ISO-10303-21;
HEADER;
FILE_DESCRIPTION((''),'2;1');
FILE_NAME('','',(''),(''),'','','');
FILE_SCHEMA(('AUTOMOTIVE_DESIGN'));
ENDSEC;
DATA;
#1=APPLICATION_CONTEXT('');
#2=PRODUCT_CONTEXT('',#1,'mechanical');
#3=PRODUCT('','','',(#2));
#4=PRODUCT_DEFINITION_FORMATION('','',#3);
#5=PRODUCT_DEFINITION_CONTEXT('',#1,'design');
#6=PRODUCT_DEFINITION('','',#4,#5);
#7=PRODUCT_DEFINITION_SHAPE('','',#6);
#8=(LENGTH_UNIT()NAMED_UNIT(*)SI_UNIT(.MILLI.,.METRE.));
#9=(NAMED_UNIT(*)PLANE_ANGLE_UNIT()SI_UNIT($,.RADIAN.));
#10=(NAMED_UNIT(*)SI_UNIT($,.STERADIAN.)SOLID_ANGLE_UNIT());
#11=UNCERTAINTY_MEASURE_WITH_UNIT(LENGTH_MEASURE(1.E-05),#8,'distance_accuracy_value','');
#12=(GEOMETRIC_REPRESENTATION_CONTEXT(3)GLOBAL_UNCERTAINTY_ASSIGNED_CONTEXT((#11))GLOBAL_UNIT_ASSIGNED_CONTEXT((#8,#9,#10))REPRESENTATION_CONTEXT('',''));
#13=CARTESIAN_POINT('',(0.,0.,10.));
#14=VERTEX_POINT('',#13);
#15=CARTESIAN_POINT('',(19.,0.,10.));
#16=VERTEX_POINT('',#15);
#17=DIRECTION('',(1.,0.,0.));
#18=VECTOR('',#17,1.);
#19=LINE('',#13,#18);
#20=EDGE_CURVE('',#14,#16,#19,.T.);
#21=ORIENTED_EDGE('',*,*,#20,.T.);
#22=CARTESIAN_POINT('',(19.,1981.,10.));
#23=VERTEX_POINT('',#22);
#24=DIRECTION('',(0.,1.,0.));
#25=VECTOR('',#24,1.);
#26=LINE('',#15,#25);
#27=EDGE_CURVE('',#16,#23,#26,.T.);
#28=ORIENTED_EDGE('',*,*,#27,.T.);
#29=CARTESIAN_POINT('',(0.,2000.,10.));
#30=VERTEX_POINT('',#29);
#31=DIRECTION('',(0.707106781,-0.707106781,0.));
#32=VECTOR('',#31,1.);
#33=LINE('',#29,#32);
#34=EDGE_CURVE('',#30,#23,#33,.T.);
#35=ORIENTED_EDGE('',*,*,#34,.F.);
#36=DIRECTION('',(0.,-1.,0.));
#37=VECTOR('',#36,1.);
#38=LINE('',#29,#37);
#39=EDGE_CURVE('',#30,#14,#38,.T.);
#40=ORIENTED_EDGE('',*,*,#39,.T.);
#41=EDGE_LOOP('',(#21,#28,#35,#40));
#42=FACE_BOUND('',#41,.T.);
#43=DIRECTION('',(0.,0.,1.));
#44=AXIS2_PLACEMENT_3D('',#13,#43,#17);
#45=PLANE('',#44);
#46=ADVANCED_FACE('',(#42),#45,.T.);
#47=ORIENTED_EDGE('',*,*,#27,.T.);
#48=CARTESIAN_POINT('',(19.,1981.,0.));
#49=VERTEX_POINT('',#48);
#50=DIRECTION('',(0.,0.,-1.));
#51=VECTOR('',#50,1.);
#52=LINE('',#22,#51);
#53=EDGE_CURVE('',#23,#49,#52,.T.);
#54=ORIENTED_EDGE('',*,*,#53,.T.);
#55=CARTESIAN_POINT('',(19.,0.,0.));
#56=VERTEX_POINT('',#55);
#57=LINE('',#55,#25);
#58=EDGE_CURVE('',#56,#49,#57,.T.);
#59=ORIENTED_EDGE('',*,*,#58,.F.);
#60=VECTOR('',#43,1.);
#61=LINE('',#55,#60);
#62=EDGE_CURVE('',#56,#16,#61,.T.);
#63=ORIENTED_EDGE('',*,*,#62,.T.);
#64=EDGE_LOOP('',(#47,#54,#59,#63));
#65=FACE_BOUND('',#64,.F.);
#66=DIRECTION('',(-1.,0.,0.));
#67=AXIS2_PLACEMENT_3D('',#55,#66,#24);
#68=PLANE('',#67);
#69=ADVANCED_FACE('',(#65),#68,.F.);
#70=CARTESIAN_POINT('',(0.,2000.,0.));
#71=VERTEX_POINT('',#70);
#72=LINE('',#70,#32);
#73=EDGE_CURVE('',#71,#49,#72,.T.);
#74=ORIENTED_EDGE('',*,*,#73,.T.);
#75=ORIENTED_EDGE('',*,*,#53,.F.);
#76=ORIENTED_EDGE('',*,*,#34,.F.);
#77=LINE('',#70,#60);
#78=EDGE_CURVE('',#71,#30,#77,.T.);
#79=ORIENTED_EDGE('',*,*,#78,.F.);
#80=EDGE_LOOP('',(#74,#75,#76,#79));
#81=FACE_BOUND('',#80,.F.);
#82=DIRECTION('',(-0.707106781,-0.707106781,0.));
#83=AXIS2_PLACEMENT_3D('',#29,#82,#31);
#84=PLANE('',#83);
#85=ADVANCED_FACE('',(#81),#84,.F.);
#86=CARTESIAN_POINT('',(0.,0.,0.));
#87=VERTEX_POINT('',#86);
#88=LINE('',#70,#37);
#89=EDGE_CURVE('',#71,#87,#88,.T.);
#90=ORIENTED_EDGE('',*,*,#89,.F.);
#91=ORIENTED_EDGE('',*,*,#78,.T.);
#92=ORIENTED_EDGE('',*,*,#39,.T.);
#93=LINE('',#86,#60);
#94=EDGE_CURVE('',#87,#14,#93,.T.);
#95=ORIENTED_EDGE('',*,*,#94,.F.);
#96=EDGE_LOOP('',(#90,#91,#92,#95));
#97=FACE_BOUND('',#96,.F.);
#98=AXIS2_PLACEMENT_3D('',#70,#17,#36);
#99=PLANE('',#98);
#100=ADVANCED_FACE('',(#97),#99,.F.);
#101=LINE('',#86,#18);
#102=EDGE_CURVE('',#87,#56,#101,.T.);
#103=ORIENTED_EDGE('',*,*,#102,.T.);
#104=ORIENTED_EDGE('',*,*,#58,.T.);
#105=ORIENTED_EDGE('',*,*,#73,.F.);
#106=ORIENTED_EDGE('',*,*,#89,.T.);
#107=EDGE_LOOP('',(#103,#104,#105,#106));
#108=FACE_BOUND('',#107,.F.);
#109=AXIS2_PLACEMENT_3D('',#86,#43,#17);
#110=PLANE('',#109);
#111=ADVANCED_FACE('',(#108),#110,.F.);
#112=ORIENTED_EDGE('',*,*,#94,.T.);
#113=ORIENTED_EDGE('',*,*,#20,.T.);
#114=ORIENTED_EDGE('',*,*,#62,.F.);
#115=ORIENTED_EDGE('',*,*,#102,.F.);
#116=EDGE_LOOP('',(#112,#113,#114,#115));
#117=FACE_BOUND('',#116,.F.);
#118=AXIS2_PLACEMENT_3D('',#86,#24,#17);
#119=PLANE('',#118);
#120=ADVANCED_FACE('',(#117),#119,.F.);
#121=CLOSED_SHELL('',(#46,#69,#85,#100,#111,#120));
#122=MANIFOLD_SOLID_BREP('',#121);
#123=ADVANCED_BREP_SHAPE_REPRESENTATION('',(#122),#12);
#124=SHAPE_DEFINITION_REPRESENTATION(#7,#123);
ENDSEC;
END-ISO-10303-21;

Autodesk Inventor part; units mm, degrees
ref_plane "YZ Plane" through (0, 0, 0) normal (1, 0, 0) x (0, 1, 0)
ref_plane "XZ Plane" through (0, 0, 0) normal (0, 1, 0) x (-1, 0, 0)
ref_plane "XY Plane" through (0, 0, 0) normal (0, 0, 1) x (1, 0, 0)
sketch "Sketch1" plane through (0, 0, 0) normal (0, 0, 1) x (1, 0, 0)
  line L0 (0, 0) -> (19, 0)
  line L1 (19, 0) -> (19, 2000)
  line L2 (19, 2000) -> (0, 2000)
  line L3 (0, 2000) -> (0, 0)
  dimension "d0" = 19
  dimension "d1" = 2000
extrude "Extrusion1" add sketch "Sketch1" along normal blind 10
sketch "Sketch2" plane through (0, 0, 10) normal (0, 0, 1) x (1, 0, 0)
  line L0 (19, 0) -> (19, 2000) projected
  line L1 (19, 2000) -> (0, 2000) projected
  line L2 (0, 2000) -> (0, 0) projected
  line L3 (0, 0) -> (19, 0) projected
  line L4 (0, 2000) -> (19, 1981)
  dimension "d7" = 45
extrude "Extrusion2" cut sketch "Sketch2" against normal blind 10 contours L4 L1 L0
sketch "Sketch3" plane through (0, 0, 10) normal (0, 0, 1) x (1, 0, 0)
  circle A0 centre (9.5, 210) radius 3
  circle A1 centre (9.5, 170) radius 3
  line L0 (0, 0) -> (19, 0) projected
  point P0 (9.5, 0)
  dimension "d8" = 6
  dimension "d9" = 40
  dimension "d10" = 170
properties part number "Dichtung_Rechts"
